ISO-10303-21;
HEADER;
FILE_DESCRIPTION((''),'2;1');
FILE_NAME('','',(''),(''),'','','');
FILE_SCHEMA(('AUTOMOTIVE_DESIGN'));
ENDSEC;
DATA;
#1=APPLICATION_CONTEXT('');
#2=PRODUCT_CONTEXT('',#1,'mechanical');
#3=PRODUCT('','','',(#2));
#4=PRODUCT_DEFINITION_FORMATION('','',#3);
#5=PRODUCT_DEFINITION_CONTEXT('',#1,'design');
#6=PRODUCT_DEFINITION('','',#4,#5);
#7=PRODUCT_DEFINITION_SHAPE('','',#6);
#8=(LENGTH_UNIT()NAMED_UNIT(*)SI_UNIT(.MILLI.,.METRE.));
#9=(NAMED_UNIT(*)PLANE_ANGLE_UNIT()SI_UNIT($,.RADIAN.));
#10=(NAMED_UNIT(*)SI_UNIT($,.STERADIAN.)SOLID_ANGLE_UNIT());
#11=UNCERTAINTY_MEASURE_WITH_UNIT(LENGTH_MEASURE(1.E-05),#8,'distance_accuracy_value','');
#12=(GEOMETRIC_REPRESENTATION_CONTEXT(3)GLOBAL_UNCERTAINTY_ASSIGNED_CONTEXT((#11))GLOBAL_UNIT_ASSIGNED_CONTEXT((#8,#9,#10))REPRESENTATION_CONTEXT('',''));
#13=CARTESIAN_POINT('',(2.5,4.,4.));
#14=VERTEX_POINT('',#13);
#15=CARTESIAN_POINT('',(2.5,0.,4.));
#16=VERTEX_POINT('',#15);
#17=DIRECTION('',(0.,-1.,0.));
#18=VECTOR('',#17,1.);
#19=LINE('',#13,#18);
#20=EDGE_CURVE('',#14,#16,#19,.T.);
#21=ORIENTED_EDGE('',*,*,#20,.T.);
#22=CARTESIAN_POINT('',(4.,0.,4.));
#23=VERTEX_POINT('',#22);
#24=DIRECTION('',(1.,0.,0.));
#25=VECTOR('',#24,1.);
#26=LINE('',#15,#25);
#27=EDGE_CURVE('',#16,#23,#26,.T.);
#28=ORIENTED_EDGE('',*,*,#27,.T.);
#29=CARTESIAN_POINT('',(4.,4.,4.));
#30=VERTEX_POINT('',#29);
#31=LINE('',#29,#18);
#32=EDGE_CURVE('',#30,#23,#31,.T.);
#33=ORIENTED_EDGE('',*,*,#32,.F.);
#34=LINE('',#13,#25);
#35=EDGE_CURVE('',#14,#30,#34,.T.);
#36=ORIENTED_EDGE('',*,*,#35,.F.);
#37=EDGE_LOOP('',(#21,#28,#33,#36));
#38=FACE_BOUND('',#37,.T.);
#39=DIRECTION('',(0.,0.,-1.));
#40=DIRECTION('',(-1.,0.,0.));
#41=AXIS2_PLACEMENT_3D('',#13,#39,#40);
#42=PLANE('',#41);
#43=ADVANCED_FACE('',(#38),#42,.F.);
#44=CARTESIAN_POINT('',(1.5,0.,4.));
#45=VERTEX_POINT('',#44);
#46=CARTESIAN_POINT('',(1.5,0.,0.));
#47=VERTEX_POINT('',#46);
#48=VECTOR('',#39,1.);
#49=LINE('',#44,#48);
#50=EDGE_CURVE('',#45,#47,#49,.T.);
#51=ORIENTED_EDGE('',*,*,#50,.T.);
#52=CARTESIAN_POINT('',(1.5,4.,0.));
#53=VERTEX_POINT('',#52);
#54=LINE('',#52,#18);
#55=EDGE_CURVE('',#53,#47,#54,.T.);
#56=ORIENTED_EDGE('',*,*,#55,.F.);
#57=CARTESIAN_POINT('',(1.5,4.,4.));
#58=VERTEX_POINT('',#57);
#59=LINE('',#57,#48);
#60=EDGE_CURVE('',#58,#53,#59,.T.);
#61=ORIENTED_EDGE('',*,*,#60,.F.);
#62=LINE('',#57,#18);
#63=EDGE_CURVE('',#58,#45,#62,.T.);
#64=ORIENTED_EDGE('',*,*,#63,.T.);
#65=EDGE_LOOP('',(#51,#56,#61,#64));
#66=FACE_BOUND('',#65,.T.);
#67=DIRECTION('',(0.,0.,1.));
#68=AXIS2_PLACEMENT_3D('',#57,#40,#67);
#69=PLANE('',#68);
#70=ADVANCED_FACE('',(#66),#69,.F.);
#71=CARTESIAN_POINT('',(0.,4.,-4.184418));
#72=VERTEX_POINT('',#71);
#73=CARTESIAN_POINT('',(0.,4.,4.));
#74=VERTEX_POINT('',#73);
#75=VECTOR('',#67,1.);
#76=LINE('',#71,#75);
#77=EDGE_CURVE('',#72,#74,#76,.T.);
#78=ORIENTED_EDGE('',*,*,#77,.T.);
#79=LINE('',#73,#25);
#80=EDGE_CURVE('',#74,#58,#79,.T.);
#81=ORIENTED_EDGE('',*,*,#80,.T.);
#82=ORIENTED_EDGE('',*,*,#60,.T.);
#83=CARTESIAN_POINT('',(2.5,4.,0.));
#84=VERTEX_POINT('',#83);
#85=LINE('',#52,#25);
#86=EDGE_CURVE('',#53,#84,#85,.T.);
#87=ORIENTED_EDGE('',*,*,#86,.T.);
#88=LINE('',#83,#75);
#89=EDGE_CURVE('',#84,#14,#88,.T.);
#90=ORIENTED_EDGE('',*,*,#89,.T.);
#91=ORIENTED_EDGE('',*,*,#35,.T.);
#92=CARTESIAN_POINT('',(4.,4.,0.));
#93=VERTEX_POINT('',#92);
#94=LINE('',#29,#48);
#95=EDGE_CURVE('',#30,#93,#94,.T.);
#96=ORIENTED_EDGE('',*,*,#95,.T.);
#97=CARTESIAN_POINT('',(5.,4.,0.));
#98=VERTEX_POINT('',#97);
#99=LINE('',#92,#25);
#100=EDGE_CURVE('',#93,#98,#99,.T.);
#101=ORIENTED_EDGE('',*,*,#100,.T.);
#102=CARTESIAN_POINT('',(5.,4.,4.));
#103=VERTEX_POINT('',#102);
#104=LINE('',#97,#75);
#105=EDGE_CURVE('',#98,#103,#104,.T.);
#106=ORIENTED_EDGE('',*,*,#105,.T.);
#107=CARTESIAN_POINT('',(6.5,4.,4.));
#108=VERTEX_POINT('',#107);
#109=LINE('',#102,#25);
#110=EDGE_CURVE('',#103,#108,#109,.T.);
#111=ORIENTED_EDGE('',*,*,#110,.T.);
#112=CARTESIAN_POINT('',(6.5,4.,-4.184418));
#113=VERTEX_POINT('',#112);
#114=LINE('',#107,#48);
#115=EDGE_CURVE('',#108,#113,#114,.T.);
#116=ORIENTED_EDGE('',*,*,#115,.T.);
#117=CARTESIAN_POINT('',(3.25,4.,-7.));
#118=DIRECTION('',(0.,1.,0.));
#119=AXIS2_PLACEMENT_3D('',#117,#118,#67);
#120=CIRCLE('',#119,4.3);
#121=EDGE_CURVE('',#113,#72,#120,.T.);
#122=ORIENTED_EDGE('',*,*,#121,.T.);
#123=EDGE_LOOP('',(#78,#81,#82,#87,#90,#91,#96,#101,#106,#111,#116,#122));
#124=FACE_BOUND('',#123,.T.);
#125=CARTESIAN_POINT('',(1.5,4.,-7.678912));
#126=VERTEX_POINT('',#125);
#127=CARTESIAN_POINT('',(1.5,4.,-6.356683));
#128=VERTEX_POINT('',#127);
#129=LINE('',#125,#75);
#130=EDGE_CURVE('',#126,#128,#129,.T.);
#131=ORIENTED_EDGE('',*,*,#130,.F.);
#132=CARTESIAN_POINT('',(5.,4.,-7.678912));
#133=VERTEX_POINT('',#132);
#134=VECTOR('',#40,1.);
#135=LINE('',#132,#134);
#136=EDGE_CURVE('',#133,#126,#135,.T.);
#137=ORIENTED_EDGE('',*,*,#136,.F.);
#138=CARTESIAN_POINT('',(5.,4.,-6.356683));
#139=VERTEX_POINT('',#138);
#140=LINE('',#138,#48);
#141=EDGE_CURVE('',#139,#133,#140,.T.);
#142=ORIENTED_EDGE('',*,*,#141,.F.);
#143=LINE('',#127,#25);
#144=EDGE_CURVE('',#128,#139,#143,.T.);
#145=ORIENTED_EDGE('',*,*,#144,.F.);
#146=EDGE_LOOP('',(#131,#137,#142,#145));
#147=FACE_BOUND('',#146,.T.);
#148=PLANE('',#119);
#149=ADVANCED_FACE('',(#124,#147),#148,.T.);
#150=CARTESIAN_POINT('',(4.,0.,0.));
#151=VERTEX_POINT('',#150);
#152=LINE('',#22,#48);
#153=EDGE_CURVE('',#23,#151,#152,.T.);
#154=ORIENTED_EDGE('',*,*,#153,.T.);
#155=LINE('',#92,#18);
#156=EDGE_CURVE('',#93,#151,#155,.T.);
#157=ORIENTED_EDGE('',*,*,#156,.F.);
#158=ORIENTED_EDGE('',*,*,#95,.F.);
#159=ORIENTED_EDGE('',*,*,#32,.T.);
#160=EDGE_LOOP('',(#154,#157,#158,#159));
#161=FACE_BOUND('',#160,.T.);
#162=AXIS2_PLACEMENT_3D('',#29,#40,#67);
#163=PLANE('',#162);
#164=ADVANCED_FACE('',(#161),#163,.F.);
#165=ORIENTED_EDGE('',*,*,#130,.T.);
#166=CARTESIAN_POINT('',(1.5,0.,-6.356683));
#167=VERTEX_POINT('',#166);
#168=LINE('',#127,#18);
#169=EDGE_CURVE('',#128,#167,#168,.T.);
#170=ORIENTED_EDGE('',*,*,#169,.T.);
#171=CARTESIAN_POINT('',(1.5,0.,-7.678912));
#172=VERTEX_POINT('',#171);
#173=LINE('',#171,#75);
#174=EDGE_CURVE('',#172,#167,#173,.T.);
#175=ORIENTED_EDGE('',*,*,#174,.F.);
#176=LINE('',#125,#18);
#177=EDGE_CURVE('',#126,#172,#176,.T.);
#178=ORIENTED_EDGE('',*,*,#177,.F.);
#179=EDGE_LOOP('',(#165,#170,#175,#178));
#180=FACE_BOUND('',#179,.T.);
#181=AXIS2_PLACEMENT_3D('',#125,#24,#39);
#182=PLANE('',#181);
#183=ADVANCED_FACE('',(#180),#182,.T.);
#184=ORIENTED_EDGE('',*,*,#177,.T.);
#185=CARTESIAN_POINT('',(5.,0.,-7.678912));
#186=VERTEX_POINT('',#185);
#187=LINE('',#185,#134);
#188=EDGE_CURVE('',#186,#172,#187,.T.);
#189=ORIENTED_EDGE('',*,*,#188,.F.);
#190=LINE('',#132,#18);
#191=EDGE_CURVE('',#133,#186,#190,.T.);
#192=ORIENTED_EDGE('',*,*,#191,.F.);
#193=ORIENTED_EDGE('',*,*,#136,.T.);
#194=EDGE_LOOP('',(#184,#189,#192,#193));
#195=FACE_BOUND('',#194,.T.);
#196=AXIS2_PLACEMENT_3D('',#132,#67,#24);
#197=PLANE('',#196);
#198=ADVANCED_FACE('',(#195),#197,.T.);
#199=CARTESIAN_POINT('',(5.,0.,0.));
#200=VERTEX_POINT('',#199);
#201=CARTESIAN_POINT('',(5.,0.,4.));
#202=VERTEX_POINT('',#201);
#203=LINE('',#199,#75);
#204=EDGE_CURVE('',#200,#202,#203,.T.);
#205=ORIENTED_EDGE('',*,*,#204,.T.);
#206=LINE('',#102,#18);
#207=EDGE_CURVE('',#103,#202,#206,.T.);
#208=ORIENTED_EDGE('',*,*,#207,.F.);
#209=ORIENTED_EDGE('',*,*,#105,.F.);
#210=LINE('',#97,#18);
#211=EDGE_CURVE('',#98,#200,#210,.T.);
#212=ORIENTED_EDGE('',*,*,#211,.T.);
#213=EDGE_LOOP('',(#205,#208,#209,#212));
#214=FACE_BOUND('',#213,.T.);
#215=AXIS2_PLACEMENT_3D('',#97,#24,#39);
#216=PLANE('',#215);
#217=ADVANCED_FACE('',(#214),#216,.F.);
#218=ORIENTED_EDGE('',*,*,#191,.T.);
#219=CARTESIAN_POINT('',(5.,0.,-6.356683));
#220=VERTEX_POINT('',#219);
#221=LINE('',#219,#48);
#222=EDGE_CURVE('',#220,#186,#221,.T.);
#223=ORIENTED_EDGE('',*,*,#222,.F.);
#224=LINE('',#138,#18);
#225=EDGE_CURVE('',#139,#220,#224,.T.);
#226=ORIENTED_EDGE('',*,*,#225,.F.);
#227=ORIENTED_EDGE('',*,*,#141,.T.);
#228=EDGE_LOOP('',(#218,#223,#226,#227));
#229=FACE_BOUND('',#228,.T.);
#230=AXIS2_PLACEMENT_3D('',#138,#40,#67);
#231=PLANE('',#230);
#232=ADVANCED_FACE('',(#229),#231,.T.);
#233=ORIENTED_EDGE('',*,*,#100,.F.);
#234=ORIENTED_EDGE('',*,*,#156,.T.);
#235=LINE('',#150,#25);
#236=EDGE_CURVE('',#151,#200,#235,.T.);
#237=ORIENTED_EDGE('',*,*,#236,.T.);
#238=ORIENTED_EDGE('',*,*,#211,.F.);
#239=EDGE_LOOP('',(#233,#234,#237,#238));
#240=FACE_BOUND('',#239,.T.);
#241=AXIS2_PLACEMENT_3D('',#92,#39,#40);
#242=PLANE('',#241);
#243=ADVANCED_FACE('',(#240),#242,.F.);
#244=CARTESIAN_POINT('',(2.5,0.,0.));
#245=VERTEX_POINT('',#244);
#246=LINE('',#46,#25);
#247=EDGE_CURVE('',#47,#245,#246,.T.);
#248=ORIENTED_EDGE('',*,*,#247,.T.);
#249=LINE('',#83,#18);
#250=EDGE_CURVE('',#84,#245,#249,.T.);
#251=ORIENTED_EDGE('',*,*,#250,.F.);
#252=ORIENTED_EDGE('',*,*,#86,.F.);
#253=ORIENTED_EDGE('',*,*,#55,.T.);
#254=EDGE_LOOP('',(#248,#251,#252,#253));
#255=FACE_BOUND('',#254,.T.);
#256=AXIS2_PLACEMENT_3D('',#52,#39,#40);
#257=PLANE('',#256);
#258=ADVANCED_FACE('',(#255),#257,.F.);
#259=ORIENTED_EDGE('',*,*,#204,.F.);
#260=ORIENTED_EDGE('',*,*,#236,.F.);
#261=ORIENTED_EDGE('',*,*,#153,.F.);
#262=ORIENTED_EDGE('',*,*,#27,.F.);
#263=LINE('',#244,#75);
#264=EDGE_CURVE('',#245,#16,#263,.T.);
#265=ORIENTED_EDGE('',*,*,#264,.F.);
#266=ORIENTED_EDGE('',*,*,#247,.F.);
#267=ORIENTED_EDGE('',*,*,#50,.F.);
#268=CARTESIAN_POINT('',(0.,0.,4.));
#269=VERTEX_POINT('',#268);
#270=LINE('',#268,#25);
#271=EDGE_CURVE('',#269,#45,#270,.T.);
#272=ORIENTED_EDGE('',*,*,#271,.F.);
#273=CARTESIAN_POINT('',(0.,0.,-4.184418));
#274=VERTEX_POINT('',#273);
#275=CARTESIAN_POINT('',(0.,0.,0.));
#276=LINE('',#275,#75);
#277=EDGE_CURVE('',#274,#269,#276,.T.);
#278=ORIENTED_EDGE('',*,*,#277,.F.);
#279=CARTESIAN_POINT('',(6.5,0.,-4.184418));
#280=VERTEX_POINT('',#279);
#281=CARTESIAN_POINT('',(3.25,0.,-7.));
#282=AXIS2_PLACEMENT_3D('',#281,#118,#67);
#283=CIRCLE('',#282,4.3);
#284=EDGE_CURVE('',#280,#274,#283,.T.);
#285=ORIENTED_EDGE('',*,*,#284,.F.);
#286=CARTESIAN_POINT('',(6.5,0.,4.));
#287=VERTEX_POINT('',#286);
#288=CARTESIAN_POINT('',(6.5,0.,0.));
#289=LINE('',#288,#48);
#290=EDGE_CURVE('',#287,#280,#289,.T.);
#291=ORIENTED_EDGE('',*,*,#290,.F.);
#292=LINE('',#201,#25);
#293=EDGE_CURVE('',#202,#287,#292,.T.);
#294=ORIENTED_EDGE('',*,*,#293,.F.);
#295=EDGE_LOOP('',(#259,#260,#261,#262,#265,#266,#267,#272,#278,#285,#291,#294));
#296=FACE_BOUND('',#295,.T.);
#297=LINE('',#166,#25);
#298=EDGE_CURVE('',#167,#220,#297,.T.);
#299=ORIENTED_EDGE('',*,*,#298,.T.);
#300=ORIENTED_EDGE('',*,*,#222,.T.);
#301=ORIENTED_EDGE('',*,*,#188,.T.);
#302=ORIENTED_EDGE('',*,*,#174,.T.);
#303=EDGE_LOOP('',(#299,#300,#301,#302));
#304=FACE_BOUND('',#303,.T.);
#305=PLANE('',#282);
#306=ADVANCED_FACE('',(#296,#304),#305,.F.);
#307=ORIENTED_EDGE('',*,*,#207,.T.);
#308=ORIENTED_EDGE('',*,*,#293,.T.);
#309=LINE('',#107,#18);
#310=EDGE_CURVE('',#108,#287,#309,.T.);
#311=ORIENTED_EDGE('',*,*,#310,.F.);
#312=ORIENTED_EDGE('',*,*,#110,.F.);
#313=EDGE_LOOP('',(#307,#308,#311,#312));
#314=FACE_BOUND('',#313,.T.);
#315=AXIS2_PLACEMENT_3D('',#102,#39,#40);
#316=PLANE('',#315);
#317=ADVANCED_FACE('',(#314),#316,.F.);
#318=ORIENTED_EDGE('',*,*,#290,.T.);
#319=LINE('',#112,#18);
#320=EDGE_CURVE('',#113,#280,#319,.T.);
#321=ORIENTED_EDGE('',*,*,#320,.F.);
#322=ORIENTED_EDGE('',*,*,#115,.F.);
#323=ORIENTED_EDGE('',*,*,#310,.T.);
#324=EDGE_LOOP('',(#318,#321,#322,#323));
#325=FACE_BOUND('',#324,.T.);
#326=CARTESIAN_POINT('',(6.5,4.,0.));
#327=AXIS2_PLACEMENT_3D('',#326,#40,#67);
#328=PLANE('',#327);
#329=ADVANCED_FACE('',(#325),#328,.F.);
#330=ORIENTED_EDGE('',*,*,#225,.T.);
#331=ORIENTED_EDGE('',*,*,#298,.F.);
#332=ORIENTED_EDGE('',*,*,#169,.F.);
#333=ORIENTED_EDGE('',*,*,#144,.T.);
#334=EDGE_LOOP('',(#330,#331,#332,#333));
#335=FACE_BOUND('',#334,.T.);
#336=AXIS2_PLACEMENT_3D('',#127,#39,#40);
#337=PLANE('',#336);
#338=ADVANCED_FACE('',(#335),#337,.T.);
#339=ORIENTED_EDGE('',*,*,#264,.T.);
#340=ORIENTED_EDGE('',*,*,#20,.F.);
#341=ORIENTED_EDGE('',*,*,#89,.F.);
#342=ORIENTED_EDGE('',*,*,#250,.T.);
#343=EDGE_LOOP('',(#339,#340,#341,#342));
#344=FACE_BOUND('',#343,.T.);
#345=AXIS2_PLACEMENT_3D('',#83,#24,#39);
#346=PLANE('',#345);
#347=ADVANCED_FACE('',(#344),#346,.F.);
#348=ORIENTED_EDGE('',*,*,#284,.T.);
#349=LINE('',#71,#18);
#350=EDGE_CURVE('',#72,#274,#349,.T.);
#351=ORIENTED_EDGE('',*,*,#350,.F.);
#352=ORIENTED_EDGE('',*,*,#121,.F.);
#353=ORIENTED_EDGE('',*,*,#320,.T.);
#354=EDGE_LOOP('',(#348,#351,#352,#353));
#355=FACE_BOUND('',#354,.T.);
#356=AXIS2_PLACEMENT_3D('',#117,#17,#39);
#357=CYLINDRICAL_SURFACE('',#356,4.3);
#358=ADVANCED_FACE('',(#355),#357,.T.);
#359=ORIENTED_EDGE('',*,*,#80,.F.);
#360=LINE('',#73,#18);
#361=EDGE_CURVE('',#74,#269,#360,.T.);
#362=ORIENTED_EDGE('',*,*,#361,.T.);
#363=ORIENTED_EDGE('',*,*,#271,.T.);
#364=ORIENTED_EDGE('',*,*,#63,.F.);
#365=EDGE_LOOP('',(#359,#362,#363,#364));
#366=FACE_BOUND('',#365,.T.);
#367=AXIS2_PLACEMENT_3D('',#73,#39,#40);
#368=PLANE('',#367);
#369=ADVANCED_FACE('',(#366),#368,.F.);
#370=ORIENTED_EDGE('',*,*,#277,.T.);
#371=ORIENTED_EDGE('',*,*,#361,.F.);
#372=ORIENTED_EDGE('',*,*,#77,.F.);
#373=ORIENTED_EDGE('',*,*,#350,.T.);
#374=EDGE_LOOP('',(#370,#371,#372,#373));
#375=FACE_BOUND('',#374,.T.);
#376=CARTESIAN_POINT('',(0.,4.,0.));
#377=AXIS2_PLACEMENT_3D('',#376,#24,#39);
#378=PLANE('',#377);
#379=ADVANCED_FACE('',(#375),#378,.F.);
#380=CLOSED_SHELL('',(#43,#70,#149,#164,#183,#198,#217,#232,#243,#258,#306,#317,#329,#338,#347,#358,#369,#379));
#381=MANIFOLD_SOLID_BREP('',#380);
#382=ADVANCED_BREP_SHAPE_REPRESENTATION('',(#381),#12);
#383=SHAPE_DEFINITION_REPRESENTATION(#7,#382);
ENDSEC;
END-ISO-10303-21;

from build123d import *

# Parameters (mm, degrees)
SKETCH1_W           = 3.5
SKETCH1_H           = 1.322228747
BOSS_EXTRUDE1_DEPTH = 4


with BuildPart() as part:
    # Sketch1 → Boss-Extrude1 (new body)
    with BuildSketch(Plane(origin=(0, 0, 0), x_dir=(1, 0, 0), z_dir=(0, 1, 0))):
        with BuildLine():
            Line((0, 0), (0, -4))
            Line((0, -4), (1.5, -4))
            Line((1.5, -4), (1.5, 0))
            Line((1.5, 0), (2.5, 0))
            Line((2.5, 0), (2.5, -4))
            Line((2.5, -4), (4, -4))
            Line((4, -4), (4, 0))
            Line((4, 0), (5, 0))
            Line((5, 0), (5, -4))
            Line((5, -4), (6.5, -4))
            Line((6.5, -4), (6.5, 0))
            Line((6.5, 0), (6.5, 4.184418355))
            ThreePointArc((6.5, 4.184418355), (3.25, 11.3), (0, 4.184418355))
            Line((0, 4.184418355), (0, 0))
        make_face()
        with Locations((3.25, 7.017797312)):
            Rectangle(SKETCH1_W, SKETCH1_H, mode=Mode.SUBTRACT)
    extrude(amount=BOSS_EXTRUDE1_DEPTH)


solid = part.part
